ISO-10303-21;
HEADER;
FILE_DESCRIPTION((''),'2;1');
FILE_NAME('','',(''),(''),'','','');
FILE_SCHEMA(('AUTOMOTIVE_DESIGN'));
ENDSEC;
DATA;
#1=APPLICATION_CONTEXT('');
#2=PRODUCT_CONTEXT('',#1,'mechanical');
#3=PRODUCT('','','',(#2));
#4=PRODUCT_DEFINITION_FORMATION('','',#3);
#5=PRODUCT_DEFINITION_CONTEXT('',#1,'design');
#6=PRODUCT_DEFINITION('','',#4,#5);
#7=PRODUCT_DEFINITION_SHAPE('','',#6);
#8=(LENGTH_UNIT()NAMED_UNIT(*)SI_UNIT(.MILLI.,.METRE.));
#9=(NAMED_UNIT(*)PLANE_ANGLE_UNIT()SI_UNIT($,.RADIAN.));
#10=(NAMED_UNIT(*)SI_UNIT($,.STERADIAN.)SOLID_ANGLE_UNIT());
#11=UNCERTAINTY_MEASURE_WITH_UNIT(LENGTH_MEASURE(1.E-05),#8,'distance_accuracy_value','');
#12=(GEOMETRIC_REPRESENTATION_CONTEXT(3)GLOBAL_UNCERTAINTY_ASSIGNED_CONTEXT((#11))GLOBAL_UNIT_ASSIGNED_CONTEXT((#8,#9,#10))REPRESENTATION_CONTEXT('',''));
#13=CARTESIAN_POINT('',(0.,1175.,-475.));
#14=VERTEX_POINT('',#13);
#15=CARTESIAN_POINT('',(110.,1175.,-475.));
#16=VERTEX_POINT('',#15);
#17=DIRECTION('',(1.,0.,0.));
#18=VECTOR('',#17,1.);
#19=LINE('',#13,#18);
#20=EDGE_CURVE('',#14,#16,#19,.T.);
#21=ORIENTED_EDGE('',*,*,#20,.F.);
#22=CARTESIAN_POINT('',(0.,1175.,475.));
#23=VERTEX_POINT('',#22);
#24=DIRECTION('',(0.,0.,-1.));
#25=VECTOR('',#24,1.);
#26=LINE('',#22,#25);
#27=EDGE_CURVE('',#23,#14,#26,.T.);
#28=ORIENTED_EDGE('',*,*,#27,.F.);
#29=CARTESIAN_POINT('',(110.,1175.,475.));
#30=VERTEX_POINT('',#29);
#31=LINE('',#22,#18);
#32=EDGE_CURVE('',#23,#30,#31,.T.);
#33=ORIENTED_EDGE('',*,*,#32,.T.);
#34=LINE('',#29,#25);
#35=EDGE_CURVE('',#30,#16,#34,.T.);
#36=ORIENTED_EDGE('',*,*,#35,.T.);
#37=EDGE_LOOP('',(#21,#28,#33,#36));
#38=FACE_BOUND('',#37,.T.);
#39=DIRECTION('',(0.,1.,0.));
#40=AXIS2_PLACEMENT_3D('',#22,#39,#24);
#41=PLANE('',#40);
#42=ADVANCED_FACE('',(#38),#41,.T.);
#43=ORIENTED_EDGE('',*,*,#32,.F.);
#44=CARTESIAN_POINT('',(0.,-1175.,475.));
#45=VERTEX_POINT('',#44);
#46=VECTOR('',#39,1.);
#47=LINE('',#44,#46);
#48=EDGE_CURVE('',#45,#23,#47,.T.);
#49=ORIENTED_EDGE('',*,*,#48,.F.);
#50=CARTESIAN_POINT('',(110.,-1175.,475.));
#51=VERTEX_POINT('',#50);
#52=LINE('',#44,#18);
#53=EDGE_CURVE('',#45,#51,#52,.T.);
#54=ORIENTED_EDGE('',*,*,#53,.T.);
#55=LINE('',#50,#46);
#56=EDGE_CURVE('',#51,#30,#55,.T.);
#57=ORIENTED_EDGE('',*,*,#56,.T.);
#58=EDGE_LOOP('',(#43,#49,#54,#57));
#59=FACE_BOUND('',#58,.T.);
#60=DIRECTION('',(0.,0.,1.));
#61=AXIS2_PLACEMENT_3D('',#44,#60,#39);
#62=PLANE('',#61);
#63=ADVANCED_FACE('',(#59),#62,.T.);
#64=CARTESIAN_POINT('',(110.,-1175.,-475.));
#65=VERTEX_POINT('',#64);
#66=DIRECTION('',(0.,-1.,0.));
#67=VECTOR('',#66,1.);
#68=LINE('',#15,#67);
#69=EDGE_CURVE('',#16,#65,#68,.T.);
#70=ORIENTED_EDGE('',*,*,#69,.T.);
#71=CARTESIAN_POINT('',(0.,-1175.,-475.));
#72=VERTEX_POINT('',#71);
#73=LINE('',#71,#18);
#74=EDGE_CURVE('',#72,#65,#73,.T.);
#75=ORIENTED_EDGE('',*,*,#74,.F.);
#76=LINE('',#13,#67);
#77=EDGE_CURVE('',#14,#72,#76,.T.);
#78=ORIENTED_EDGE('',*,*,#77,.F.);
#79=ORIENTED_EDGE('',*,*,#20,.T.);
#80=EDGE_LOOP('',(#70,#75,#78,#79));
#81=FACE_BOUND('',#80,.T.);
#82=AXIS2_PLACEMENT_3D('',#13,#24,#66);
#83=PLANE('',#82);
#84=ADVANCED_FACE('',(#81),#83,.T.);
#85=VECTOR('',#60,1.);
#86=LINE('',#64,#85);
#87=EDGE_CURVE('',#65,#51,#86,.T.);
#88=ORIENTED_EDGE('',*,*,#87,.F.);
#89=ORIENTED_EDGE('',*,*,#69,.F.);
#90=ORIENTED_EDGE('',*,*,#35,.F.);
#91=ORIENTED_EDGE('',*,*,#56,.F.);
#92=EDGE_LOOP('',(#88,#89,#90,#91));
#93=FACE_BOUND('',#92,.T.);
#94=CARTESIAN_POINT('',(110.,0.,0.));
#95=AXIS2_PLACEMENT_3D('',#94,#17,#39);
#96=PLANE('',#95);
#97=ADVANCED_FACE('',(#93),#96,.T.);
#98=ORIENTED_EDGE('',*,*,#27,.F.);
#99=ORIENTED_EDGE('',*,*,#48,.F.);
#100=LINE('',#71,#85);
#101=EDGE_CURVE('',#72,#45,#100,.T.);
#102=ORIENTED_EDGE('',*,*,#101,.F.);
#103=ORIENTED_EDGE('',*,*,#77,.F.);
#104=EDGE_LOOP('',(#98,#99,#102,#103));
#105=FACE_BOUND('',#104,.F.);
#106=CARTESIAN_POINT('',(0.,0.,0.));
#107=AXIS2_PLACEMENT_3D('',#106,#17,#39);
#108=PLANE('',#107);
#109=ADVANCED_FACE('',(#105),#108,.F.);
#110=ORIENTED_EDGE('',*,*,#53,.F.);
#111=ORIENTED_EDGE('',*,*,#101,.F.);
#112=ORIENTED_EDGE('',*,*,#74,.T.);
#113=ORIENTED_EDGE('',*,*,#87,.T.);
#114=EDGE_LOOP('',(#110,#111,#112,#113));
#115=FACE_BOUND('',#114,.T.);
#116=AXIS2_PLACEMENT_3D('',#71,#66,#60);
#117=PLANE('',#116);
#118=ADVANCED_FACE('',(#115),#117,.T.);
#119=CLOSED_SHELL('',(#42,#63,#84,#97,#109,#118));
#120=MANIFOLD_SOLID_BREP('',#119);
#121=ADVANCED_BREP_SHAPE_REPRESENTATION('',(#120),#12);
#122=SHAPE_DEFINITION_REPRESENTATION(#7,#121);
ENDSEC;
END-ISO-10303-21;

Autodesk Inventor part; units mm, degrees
ref_plane "YZ Plane" through (0, 0, 0) normal (1, 0, 0) x (0, 1, 0)
ref_plane "XZ Plane" through (0, 0, 0) normal (0, 1, 0) x (-1, 0, 0)
ref_plane "XY Plane" through (0, 0, 0) normal (0, 0, 1) x (1, 0, 0)
sketch "草图1" plane through (0, 0, 0) normal (1, 0, 0) x (0, 1, 0)
  line L0 (1175, -475) -> (-1175, -475)
  line L1 (-1175, -475) -> (-1175, 475)
  line L2 (-1175, 475) -> (1175, 475)
  line L3 (1175, 475) -> (1175, -475)
  line L4 (1175, -475) -> (-1175, 475) construction
  line L5 (-1175, -475) -> (1175, 475) construction
  point P0 (0, 0)
  dimension "d0" = 2350
  dimension "d1" = 950
extrude "拉伸1" add sketch "草图1" along normal blind 110
properties part number "door" material "木材(桦木)"
